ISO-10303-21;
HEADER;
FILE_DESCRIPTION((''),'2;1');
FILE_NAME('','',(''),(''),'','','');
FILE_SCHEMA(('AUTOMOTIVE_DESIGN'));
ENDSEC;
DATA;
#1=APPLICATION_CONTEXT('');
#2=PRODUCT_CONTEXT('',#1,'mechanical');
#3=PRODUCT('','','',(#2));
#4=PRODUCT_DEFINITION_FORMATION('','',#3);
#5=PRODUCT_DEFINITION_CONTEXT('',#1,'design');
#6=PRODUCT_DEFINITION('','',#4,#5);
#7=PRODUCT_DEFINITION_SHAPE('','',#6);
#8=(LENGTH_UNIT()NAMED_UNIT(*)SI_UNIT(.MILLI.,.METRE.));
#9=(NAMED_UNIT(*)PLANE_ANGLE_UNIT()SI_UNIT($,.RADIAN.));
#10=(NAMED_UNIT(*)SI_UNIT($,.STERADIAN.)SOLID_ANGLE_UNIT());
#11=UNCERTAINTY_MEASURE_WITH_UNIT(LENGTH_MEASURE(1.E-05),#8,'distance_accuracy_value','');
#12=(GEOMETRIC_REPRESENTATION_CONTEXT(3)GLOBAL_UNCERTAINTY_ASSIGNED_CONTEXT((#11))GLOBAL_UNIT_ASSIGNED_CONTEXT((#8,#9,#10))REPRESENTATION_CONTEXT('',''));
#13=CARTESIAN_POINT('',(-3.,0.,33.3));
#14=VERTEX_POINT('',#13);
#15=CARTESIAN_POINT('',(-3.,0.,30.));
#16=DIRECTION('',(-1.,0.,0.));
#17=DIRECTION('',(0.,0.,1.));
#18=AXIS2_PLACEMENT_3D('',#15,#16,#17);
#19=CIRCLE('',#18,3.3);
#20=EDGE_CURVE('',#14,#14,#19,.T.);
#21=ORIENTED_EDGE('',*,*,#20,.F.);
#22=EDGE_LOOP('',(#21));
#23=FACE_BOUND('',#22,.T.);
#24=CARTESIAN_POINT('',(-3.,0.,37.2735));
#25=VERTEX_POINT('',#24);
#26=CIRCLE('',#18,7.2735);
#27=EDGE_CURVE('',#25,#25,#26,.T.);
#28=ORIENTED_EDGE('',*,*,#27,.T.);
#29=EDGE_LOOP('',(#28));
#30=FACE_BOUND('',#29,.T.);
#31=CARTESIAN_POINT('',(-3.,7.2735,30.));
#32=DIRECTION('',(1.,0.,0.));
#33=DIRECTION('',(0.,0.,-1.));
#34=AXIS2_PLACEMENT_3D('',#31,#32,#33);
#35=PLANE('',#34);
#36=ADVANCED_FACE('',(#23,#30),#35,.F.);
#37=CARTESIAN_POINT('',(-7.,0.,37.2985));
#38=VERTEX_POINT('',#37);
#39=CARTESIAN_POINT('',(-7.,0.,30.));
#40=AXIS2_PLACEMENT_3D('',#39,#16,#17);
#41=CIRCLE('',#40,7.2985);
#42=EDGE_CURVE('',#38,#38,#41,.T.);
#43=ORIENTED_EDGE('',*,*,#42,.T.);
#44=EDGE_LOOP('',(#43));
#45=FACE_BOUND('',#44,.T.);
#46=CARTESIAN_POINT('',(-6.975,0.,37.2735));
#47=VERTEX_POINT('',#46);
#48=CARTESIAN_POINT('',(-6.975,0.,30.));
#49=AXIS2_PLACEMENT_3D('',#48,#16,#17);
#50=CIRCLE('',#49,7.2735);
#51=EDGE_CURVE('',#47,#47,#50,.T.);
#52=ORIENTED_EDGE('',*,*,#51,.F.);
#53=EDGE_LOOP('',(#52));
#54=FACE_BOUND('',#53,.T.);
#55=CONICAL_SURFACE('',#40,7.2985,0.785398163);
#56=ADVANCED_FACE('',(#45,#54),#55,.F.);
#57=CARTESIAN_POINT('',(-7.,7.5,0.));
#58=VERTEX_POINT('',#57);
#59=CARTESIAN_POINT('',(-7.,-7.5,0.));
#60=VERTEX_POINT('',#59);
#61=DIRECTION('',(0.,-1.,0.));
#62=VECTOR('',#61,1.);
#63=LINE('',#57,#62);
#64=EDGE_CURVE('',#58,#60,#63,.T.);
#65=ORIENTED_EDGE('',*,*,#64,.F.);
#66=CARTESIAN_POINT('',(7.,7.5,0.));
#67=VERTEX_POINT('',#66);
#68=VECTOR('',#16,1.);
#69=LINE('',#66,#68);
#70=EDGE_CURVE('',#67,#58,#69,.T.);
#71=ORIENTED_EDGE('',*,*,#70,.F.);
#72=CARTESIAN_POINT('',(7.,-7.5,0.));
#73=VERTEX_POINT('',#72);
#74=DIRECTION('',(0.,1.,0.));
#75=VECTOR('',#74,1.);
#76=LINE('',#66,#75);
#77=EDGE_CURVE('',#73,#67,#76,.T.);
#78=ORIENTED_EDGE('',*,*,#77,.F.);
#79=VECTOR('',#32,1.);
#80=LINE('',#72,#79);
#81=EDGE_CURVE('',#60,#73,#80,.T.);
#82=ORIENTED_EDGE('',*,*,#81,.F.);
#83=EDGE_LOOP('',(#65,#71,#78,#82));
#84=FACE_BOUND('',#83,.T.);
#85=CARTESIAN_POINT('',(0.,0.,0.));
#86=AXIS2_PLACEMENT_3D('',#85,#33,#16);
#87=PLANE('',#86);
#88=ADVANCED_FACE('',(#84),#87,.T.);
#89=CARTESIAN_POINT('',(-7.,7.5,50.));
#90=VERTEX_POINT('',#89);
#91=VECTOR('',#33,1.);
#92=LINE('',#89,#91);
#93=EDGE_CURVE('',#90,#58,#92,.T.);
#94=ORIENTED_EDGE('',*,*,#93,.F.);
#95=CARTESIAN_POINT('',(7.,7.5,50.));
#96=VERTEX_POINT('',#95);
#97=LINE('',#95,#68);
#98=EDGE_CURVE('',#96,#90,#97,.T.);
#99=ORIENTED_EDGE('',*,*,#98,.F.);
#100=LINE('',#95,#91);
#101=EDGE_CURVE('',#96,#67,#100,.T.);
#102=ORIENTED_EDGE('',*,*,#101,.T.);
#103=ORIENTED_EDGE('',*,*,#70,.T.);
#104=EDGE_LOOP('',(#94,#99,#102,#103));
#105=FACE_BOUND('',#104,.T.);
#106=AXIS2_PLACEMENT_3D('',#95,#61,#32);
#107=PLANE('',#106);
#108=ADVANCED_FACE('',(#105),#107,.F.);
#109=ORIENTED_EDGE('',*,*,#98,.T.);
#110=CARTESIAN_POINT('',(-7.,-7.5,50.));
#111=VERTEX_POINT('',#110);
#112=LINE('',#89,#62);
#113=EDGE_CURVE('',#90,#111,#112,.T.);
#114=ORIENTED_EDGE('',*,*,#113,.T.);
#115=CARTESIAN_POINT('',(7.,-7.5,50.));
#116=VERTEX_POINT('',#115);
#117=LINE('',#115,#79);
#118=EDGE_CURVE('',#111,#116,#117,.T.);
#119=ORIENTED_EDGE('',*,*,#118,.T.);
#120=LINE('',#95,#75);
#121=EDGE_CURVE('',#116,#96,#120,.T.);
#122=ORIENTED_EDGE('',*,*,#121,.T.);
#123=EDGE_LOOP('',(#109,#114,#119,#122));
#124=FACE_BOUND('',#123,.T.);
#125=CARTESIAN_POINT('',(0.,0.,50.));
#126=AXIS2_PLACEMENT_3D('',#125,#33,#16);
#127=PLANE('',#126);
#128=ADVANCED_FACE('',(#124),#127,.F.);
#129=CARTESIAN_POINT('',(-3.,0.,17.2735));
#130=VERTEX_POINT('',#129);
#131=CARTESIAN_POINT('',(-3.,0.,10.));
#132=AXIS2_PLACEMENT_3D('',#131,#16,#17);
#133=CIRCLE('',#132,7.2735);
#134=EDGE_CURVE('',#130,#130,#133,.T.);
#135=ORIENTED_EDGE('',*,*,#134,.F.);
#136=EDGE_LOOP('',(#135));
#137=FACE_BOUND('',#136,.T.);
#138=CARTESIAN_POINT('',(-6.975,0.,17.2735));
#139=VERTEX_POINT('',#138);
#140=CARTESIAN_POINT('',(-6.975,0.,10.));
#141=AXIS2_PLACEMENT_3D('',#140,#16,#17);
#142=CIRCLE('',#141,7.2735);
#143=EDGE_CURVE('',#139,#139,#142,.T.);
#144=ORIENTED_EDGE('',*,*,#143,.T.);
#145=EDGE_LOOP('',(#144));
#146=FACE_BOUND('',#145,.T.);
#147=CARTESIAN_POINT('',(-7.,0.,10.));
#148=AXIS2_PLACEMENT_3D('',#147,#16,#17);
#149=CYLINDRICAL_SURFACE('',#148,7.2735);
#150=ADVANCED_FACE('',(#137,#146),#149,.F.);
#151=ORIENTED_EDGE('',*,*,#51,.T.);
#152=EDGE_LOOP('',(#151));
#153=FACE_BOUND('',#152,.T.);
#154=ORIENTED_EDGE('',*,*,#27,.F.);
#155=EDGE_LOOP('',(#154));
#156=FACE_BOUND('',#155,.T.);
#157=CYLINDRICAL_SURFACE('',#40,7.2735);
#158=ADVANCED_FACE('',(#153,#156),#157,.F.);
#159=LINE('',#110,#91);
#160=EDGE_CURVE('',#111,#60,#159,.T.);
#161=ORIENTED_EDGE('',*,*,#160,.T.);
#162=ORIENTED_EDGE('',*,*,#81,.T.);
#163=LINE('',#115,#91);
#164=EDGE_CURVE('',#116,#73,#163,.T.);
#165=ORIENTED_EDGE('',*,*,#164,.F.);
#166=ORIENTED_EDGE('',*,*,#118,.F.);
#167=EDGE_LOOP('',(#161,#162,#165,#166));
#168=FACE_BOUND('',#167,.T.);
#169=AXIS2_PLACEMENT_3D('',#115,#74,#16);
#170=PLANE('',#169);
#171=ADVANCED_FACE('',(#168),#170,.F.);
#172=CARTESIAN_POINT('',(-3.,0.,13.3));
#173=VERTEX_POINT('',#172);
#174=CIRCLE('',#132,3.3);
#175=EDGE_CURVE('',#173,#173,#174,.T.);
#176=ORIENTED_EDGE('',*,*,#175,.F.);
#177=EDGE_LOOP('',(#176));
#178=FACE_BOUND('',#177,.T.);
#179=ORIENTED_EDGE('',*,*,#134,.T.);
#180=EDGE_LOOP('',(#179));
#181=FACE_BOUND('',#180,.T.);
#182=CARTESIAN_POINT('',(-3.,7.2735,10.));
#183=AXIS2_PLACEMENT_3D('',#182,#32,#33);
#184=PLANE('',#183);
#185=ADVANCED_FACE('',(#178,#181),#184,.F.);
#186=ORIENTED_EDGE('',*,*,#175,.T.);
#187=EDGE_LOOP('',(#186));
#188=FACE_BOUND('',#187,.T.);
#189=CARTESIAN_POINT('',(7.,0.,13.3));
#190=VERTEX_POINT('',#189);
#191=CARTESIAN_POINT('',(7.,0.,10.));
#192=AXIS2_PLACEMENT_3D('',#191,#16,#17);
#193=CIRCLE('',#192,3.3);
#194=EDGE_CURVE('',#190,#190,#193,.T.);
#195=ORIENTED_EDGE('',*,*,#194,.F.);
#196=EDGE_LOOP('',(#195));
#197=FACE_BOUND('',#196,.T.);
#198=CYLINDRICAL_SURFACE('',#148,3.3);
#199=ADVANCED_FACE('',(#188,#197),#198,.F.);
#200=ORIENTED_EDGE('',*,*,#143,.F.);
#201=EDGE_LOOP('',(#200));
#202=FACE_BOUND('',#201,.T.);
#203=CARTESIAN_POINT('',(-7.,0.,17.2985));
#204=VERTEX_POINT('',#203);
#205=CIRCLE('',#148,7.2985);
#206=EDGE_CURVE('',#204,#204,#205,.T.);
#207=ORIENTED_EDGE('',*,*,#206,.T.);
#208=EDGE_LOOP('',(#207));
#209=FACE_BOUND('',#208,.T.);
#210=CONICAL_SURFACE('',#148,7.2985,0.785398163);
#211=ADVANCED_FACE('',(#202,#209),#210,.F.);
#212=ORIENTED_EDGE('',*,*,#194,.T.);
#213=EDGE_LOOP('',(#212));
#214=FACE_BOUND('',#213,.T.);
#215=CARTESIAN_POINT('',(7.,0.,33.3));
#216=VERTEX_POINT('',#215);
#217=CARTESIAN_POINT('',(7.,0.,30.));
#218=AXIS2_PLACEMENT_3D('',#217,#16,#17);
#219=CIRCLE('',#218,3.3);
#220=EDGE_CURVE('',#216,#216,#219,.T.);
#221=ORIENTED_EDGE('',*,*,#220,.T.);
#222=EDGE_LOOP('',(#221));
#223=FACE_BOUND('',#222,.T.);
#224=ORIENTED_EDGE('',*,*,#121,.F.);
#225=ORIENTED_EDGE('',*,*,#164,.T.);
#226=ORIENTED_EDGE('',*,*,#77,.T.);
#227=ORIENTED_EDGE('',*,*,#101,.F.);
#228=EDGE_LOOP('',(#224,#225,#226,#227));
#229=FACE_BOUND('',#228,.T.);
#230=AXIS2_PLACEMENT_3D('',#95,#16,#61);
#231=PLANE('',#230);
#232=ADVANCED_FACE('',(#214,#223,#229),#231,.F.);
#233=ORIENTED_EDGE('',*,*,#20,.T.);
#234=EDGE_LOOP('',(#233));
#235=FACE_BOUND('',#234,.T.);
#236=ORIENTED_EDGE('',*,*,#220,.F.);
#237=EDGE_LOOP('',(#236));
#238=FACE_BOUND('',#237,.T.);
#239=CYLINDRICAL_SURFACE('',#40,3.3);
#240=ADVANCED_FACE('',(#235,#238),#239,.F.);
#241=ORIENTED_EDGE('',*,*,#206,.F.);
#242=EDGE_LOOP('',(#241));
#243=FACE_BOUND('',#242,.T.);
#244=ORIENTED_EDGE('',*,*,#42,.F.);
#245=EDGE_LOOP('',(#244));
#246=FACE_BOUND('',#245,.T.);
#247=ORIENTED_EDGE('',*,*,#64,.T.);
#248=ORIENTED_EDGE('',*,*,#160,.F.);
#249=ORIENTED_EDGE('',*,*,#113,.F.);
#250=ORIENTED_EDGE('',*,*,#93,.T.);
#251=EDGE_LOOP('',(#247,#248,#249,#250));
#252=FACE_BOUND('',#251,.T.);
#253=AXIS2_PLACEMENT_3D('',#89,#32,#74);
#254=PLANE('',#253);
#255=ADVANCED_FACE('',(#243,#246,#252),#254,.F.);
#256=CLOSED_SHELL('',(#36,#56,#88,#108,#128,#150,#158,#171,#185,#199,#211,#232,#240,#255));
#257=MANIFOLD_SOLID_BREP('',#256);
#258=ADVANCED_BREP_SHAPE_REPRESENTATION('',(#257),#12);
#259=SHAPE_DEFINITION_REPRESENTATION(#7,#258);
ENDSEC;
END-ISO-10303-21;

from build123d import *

# Parameters (mm, degrees)
SKETCH1_W                              = 14
SKETCH1_H                              = 15
BOSS_EXTRUDE1_DEPTH                    = 50
CBORE_FOR_M6_HEX_HEAD_BOLT1_AT_2_COUNT = 2
CBORE_FOR_M6_HEX_HEAD_BOLT1_AT_2_PITCH = 20


with BuildPart() as part:
    # Sketch1 → Boss-Extrude1 (new body)
    with BuildSketch(Plane.XY):
        Rectangle(SKETCH1_W, SKETCH1_H)
    extrude(amount=BOSS_EXTRUDE1_DEPTH)

    # Sketch3 → CBORE for M6 Hex Head Bolt1 (revolve, cut)
    with BuildSketch(Plane(origin=(-7, 0, 10), x_dir=(0, 0, 1), z_dir=(0, 1, 0))):
        Polygon((0, 0), (0, 14), (3.3, 14), (3.3, 4), (7.2735, 4), (7.2735, 0.025), (7.2985, 0), align=None)
    cbore_for_m6_hex_head_bolt1 = revolve(axis=Axis((-13.35, 0, 10), (1, 0, 0)), mode=Mode.SUBTRACT)

    # CBORE for M6 Hex Head Bolt1 at 2: CBORE for M6 Hex Head Bolt1 ×2
    with Locations(*[(0, 0, i * CBORE_FOR_M6_HEX_HEAD_BOLT1_AT_2_PITCH) for i in range(1, CBORE_FOR_M6_HEX_HEAD_BOLT1_AT_2_COUNT)]):
        add(cbore_for_m6_hex_head_bolt1, mode=Mode.SUBTRACT)


solid = part.part
